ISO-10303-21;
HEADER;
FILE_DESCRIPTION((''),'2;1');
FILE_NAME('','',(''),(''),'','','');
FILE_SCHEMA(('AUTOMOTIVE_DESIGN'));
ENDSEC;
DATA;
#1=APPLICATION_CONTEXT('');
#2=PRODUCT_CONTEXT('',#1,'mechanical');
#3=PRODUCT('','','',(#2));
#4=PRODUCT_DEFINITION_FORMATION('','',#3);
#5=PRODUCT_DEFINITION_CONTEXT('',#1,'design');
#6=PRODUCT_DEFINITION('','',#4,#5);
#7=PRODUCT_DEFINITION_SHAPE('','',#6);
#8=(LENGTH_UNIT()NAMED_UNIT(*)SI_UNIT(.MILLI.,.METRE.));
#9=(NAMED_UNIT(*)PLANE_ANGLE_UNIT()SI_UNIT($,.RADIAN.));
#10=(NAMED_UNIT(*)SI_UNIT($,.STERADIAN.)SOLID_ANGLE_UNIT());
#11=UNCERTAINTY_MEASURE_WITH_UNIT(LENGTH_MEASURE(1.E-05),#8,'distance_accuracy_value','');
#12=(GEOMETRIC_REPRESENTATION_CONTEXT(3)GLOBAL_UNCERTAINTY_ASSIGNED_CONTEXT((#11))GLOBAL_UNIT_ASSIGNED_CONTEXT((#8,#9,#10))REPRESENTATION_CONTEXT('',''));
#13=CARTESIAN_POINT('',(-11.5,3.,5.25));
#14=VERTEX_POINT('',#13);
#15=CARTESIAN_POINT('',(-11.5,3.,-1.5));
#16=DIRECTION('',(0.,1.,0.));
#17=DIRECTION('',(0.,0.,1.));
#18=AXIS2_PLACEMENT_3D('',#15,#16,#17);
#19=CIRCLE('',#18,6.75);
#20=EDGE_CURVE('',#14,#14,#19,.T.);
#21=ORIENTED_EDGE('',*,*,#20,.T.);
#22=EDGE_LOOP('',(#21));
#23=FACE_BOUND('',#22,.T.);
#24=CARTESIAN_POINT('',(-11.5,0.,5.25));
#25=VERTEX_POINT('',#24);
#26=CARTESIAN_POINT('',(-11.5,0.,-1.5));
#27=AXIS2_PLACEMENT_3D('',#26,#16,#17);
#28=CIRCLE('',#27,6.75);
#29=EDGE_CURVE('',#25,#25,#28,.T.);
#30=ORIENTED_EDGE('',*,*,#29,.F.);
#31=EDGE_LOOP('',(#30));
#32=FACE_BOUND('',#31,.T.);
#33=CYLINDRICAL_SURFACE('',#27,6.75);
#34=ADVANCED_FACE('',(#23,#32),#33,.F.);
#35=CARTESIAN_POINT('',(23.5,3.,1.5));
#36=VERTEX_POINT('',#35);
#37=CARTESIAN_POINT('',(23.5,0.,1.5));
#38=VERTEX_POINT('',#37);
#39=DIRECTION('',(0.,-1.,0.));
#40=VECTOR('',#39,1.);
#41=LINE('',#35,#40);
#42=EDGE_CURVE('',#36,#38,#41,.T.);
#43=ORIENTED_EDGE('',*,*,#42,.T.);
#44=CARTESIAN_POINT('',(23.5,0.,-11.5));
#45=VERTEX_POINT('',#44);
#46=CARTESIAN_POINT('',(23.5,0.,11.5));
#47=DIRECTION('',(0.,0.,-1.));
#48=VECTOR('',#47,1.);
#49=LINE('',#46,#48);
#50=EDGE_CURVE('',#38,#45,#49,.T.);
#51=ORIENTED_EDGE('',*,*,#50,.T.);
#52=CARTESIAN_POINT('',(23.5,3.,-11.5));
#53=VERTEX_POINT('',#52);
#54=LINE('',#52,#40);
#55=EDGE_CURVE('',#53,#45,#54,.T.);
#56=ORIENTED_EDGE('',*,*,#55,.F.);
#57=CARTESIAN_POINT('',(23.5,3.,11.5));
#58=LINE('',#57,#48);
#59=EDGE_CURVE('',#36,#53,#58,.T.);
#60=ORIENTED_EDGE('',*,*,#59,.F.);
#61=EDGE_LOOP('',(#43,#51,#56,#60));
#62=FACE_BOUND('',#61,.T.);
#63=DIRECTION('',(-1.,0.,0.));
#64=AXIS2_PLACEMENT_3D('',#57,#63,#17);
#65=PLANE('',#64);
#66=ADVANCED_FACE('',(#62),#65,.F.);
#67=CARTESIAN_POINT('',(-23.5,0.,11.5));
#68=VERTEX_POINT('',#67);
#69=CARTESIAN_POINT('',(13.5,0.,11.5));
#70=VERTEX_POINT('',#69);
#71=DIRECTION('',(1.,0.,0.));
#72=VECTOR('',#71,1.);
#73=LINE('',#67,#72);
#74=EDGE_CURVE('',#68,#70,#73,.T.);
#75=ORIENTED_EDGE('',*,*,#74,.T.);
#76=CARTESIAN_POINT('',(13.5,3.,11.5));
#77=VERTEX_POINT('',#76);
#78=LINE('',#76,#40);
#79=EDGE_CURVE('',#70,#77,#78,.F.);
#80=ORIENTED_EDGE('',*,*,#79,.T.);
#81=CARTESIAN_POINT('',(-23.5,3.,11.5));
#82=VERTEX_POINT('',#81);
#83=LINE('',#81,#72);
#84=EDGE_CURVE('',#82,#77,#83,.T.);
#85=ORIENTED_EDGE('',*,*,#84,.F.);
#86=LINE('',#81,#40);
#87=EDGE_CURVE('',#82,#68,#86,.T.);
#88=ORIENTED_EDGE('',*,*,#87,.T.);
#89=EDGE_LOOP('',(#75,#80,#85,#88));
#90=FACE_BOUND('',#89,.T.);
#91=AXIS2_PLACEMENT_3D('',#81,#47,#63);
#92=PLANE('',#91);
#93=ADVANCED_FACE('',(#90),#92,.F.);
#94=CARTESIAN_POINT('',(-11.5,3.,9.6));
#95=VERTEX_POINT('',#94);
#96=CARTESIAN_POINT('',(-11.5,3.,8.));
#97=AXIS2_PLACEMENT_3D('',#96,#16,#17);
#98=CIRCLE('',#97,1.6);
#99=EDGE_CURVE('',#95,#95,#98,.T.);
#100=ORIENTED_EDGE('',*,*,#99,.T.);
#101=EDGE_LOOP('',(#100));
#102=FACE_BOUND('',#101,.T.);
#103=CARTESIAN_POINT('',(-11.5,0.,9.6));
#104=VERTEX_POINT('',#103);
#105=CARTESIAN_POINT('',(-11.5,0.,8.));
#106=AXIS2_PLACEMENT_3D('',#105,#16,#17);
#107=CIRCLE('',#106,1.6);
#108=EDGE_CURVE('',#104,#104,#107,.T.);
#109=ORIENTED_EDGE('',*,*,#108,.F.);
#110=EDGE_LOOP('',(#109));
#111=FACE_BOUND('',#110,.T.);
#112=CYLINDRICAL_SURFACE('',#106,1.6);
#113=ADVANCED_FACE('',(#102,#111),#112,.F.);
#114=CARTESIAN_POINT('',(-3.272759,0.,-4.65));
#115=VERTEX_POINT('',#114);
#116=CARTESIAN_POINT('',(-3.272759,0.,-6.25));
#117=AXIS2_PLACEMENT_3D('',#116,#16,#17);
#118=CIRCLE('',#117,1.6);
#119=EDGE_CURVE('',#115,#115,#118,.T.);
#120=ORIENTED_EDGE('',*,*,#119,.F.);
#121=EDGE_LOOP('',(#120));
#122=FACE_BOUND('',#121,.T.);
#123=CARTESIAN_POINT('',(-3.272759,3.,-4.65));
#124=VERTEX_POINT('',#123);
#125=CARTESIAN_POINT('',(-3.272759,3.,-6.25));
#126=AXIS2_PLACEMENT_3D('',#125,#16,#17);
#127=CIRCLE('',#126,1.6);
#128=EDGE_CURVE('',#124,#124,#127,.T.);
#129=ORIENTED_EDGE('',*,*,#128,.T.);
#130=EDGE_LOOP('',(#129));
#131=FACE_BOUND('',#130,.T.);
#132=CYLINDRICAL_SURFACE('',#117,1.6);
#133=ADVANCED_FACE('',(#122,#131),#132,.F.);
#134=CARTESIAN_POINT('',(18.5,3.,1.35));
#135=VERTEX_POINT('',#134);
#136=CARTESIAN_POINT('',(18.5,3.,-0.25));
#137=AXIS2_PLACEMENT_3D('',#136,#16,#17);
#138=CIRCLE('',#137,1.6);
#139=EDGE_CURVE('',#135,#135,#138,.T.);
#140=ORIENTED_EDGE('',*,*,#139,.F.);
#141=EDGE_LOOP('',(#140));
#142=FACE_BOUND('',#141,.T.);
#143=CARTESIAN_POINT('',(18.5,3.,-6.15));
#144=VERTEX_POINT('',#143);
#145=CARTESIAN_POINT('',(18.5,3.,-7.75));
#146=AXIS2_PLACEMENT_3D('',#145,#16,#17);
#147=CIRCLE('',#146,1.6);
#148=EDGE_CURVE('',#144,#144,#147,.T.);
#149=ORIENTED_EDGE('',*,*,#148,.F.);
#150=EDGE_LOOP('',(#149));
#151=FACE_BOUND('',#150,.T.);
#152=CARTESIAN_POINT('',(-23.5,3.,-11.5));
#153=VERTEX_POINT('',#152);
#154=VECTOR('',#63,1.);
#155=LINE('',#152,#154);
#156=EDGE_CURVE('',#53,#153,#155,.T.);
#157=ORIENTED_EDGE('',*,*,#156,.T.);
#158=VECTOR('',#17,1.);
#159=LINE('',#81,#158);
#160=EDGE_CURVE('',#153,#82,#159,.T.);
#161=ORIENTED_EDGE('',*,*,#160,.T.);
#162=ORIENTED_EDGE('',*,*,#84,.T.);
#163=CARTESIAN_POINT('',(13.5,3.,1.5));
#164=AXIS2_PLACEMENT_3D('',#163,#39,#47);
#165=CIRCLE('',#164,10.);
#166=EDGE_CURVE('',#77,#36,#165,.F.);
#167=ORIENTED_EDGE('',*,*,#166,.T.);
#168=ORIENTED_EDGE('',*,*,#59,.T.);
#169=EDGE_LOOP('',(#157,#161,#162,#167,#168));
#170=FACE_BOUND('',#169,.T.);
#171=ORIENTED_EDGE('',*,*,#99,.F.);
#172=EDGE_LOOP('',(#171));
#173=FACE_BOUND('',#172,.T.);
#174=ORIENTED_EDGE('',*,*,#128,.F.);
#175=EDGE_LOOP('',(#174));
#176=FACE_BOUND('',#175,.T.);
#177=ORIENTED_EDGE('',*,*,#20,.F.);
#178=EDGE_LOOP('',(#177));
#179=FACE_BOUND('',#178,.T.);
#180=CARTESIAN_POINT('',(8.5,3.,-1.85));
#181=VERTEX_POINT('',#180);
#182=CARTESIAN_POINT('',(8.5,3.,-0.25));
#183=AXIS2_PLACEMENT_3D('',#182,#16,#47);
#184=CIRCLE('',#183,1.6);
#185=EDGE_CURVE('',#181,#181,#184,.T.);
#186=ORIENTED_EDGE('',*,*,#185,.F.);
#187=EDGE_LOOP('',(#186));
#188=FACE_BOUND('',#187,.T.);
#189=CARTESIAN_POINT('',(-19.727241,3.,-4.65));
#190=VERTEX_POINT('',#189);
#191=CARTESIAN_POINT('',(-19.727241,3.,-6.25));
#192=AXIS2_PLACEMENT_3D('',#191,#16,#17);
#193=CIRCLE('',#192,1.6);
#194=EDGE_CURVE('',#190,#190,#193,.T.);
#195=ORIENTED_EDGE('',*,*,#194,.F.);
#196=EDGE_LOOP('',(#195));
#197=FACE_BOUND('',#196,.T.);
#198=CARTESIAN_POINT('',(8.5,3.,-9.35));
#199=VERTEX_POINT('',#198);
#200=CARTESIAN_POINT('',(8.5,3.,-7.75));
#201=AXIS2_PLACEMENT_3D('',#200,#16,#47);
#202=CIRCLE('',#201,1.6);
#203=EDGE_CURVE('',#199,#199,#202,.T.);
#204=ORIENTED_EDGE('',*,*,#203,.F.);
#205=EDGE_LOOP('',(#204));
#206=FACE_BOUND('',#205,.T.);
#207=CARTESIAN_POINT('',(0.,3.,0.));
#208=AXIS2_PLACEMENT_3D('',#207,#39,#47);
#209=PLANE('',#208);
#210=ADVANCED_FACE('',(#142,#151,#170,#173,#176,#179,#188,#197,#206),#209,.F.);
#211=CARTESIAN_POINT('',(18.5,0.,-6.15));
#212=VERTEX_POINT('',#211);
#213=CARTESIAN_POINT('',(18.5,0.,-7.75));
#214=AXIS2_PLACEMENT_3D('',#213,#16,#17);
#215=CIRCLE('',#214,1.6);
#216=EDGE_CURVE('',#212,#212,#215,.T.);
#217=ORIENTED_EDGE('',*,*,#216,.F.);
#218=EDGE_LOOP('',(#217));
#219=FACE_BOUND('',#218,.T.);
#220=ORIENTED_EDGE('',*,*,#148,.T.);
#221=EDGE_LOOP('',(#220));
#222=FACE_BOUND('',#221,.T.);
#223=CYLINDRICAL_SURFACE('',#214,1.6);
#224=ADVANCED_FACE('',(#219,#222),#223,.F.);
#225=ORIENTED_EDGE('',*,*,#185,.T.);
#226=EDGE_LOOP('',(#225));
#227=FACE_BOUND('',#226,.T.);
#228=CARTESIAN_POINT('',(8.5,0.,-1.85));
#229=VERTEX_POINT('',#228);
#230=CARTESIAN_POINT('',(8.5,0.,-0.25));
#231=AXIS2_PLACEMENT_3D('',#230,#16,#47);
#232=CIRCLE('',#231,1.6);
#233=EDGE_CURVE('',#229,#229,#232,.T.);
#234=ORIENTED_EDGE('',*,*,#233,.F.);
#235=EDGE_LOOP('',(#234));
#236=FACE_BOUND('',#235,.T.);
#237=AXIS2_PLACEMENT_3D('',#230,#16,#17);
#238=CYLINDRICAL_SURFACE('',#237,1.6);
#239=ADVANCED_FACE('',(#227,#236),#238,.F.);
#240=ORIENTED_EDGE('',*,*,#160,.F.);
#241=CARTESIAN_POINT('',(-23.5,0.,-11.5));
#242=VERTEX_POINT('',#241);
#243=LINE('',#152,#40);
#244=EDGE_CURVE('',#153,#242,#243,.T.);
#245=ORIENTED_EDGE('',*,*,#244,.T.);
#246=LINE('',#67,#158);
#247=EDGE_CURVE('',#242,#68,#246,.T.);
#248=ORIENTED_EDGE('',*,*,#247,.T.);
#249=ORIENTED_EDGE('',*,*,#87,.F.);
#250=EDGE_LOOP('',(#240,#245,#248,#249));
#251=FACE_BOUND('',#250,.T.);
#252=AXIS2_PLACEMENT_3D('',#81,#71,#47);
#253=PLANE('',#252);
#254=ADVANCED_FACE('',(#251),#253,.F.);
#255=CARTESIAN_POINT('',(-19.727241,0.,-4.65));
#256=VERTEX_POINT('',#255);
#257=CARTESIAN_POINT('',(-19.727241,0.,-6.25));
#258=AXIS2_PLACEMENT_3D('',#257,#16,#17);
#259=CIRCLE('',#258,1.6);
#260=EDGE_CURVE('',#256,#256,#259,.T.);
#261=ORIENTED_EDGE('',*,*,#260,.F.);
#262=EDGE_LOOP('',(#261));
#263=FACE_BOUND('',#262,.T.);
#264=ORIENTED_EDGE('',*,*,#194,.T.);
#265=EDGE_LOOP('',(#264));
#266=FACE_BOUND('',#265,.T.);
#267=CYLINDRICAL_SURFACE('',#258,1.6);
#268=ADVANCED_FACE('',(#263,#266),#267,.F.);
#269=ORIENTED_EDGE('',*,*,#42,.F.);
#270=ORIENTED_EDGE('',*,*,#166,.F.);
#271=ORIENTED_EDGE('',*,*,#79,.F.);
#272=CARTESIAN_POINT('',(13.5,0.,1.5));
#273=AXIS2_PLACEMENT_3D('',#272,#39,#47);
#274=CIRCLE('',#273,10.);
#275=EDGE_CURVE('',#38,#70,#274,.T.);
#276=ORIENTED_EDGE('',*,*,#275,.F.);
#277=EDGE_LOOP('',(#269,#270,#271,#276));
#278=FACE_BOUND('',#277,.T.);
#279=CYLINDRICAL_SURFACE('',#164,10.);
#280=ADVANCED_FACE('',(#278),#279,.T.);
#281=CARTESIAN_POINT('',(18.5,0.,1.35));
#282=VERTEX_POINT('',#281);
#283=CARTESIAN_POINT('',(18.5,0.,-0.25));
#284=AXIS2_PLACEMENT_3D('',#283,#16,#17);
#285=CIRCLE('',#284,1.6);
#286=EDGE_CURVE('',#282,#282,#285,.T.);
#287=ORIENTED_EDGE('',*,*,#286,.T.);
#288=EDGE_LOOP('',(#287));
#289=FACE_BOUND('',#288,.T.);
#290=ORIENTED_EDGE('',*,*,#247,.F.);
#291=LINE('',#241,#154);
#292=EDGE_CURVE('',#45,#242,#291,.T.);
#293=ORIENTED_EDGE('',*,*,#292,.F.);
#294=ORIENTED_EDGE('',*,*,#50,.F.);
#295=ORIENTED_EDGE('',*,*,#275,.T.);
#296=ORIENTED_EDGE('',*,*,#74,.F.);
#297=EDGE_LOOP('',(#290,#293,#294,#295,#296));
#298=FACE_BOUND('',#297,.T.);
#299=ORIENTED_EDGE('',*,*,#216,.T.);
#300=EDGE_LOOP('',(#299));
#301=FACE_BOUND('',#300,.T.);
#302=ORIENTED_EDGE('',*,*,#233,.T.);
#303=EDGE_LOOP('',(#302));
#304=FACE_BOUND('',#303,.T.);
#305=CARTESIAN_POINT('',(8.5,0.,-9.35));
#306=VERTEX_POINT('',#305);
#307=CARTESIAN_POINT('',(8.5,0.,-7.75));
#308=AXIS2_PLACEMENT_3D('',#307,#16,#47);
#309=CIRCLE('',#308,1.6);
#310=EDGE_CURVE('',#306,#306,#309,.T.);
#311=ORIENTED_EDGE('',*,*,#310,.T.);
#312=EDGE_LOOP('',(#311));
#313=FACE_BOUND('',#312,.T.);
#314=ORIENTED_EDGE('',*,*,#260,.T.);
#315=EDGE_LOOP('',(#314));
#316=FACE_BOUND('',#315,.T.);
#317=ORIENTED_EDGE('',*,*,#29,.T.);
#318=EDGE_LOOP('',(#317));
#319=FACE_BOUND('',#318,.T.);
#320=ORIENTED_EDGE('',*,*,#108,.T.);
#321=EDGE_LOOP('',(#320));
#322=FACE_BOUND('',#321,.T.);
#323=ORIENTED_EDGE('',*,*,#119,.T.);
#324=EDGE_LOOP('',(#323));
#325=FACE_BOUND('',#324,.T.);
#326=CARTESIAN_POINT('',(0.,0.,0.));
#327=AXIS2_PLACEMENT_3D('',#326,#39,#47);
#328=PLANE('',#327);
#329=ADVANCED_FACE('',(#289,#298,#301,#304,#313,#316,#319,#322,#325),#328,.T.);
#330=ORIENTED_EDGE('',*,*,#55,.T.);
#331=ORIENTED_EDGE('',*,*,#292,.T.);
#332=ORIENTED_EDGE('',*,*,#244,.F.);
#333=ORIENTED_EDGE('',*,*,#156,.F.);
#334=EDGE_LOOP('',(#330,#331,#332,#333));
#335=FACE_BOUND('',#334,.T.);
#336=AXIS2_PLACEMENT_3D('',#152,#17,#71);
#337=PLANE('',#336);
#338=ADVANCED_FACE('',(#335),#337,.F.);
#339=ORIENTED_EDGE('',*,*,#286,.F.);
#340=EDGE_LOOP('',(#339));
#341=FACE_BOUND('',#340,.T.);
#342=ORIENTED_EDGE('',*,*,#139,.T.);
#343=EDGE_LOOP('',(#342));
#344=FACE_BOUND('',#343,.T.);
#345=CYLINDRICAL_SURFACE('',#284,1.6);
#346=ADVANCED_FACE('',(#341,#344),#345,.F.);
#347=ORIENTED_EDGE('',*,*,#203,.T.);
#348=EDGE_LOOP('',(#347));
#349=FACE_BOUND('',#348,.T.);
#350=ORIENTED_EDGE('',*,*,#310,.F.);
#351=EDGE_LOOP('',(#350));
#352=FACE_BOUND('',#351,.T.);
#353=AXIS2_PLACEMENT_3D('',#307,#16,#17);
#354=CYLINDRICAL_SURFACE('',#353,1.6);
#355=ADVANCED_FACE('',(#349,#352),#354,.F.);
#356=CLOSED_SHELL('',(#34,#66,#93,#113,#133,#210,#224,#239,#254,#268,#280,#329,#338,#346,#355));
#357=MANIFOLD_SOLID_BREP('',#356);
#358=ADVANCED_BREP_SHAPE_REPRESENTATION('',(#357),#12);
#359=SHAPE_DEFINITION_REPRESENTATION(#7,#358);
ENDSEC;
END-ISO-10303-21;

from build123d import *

# Parameters (mm, degrees)
SKETCH_1_W          = 47
SKETCH_1_H          = 23
EXTRUDE_1_DEPTH     = 3
SKETCH_2_R          = 1.6
SKETCH_2_R_2        = 6.75
CUT_EXTRUDE_1_DEPTH = 27.334388165
FILLET_1_R          = 10


with BuildPart() as part:
    # 草图1 → 凸台-拉伸1 (new body)
    with BuildSketch(Plane(origin=(0, 0, 0), x_dir=(1, 0, 0), z_dir=(0, 1, 0))):
        Rectangle(SKETCH_1_W, SKETCH_1_H)
    extrude(amount=EXTRUDE_1_DEPTH)

    # 草图2 → 切除-拉伸1 (cut, through all)
    with BuildSketch(Plane(origin=(0, 3, 0), x_dir=(1, 0, 0), z_dir=(0, 1, 0))):
        with Locations(Location((-19.727241336, 6.25, 0), (0, 0, 270))):
            Circle(SKETCH_2_R)
        with Locations(Location((-11.5, -8, 0), (0, 0, 270))):
            Circle(SKETCH_2_R)
        with Locations(Location((-3.272758664, 6.25, 0), (0, 0, 270))):
            Circle(SKETCH_2_R)
        with Locations(Location((-11.5, 1.5, 0), (0, 0, 270))):
            Circle(SKETCH_2_R_2)
        with Locations(Location((18.5, 7.75, 0), (0, 0, 270))):
            Circle(SKETCH_2_R)
        with Locations(Location((18.5, 0.25, 0), (0, 0, 270))):
            Circle(SKETCH_2_R)
        with Locations(Location((8.5, 0.25, 0), (0, 0, 90))):
            Circle(SKETCH_2_R)
        with Locations(Location((8.5, 7.75, 0), (0, 0, 90))):
            Circle(SKETCH_2_R)
    extrude(amount=-CUT_EXTRUDE_1_DEPTH, mode=Mode.SUBTRACT)

    # 圆角1
    fillet_1_edges = [part.edges().sort_by_distance(p)[0] for p in [
        (23.5, 1.5, 11.5),
    ]]
    fillet(fillet_1_edges, radius=FILLET_1_R)


solid = part.part
